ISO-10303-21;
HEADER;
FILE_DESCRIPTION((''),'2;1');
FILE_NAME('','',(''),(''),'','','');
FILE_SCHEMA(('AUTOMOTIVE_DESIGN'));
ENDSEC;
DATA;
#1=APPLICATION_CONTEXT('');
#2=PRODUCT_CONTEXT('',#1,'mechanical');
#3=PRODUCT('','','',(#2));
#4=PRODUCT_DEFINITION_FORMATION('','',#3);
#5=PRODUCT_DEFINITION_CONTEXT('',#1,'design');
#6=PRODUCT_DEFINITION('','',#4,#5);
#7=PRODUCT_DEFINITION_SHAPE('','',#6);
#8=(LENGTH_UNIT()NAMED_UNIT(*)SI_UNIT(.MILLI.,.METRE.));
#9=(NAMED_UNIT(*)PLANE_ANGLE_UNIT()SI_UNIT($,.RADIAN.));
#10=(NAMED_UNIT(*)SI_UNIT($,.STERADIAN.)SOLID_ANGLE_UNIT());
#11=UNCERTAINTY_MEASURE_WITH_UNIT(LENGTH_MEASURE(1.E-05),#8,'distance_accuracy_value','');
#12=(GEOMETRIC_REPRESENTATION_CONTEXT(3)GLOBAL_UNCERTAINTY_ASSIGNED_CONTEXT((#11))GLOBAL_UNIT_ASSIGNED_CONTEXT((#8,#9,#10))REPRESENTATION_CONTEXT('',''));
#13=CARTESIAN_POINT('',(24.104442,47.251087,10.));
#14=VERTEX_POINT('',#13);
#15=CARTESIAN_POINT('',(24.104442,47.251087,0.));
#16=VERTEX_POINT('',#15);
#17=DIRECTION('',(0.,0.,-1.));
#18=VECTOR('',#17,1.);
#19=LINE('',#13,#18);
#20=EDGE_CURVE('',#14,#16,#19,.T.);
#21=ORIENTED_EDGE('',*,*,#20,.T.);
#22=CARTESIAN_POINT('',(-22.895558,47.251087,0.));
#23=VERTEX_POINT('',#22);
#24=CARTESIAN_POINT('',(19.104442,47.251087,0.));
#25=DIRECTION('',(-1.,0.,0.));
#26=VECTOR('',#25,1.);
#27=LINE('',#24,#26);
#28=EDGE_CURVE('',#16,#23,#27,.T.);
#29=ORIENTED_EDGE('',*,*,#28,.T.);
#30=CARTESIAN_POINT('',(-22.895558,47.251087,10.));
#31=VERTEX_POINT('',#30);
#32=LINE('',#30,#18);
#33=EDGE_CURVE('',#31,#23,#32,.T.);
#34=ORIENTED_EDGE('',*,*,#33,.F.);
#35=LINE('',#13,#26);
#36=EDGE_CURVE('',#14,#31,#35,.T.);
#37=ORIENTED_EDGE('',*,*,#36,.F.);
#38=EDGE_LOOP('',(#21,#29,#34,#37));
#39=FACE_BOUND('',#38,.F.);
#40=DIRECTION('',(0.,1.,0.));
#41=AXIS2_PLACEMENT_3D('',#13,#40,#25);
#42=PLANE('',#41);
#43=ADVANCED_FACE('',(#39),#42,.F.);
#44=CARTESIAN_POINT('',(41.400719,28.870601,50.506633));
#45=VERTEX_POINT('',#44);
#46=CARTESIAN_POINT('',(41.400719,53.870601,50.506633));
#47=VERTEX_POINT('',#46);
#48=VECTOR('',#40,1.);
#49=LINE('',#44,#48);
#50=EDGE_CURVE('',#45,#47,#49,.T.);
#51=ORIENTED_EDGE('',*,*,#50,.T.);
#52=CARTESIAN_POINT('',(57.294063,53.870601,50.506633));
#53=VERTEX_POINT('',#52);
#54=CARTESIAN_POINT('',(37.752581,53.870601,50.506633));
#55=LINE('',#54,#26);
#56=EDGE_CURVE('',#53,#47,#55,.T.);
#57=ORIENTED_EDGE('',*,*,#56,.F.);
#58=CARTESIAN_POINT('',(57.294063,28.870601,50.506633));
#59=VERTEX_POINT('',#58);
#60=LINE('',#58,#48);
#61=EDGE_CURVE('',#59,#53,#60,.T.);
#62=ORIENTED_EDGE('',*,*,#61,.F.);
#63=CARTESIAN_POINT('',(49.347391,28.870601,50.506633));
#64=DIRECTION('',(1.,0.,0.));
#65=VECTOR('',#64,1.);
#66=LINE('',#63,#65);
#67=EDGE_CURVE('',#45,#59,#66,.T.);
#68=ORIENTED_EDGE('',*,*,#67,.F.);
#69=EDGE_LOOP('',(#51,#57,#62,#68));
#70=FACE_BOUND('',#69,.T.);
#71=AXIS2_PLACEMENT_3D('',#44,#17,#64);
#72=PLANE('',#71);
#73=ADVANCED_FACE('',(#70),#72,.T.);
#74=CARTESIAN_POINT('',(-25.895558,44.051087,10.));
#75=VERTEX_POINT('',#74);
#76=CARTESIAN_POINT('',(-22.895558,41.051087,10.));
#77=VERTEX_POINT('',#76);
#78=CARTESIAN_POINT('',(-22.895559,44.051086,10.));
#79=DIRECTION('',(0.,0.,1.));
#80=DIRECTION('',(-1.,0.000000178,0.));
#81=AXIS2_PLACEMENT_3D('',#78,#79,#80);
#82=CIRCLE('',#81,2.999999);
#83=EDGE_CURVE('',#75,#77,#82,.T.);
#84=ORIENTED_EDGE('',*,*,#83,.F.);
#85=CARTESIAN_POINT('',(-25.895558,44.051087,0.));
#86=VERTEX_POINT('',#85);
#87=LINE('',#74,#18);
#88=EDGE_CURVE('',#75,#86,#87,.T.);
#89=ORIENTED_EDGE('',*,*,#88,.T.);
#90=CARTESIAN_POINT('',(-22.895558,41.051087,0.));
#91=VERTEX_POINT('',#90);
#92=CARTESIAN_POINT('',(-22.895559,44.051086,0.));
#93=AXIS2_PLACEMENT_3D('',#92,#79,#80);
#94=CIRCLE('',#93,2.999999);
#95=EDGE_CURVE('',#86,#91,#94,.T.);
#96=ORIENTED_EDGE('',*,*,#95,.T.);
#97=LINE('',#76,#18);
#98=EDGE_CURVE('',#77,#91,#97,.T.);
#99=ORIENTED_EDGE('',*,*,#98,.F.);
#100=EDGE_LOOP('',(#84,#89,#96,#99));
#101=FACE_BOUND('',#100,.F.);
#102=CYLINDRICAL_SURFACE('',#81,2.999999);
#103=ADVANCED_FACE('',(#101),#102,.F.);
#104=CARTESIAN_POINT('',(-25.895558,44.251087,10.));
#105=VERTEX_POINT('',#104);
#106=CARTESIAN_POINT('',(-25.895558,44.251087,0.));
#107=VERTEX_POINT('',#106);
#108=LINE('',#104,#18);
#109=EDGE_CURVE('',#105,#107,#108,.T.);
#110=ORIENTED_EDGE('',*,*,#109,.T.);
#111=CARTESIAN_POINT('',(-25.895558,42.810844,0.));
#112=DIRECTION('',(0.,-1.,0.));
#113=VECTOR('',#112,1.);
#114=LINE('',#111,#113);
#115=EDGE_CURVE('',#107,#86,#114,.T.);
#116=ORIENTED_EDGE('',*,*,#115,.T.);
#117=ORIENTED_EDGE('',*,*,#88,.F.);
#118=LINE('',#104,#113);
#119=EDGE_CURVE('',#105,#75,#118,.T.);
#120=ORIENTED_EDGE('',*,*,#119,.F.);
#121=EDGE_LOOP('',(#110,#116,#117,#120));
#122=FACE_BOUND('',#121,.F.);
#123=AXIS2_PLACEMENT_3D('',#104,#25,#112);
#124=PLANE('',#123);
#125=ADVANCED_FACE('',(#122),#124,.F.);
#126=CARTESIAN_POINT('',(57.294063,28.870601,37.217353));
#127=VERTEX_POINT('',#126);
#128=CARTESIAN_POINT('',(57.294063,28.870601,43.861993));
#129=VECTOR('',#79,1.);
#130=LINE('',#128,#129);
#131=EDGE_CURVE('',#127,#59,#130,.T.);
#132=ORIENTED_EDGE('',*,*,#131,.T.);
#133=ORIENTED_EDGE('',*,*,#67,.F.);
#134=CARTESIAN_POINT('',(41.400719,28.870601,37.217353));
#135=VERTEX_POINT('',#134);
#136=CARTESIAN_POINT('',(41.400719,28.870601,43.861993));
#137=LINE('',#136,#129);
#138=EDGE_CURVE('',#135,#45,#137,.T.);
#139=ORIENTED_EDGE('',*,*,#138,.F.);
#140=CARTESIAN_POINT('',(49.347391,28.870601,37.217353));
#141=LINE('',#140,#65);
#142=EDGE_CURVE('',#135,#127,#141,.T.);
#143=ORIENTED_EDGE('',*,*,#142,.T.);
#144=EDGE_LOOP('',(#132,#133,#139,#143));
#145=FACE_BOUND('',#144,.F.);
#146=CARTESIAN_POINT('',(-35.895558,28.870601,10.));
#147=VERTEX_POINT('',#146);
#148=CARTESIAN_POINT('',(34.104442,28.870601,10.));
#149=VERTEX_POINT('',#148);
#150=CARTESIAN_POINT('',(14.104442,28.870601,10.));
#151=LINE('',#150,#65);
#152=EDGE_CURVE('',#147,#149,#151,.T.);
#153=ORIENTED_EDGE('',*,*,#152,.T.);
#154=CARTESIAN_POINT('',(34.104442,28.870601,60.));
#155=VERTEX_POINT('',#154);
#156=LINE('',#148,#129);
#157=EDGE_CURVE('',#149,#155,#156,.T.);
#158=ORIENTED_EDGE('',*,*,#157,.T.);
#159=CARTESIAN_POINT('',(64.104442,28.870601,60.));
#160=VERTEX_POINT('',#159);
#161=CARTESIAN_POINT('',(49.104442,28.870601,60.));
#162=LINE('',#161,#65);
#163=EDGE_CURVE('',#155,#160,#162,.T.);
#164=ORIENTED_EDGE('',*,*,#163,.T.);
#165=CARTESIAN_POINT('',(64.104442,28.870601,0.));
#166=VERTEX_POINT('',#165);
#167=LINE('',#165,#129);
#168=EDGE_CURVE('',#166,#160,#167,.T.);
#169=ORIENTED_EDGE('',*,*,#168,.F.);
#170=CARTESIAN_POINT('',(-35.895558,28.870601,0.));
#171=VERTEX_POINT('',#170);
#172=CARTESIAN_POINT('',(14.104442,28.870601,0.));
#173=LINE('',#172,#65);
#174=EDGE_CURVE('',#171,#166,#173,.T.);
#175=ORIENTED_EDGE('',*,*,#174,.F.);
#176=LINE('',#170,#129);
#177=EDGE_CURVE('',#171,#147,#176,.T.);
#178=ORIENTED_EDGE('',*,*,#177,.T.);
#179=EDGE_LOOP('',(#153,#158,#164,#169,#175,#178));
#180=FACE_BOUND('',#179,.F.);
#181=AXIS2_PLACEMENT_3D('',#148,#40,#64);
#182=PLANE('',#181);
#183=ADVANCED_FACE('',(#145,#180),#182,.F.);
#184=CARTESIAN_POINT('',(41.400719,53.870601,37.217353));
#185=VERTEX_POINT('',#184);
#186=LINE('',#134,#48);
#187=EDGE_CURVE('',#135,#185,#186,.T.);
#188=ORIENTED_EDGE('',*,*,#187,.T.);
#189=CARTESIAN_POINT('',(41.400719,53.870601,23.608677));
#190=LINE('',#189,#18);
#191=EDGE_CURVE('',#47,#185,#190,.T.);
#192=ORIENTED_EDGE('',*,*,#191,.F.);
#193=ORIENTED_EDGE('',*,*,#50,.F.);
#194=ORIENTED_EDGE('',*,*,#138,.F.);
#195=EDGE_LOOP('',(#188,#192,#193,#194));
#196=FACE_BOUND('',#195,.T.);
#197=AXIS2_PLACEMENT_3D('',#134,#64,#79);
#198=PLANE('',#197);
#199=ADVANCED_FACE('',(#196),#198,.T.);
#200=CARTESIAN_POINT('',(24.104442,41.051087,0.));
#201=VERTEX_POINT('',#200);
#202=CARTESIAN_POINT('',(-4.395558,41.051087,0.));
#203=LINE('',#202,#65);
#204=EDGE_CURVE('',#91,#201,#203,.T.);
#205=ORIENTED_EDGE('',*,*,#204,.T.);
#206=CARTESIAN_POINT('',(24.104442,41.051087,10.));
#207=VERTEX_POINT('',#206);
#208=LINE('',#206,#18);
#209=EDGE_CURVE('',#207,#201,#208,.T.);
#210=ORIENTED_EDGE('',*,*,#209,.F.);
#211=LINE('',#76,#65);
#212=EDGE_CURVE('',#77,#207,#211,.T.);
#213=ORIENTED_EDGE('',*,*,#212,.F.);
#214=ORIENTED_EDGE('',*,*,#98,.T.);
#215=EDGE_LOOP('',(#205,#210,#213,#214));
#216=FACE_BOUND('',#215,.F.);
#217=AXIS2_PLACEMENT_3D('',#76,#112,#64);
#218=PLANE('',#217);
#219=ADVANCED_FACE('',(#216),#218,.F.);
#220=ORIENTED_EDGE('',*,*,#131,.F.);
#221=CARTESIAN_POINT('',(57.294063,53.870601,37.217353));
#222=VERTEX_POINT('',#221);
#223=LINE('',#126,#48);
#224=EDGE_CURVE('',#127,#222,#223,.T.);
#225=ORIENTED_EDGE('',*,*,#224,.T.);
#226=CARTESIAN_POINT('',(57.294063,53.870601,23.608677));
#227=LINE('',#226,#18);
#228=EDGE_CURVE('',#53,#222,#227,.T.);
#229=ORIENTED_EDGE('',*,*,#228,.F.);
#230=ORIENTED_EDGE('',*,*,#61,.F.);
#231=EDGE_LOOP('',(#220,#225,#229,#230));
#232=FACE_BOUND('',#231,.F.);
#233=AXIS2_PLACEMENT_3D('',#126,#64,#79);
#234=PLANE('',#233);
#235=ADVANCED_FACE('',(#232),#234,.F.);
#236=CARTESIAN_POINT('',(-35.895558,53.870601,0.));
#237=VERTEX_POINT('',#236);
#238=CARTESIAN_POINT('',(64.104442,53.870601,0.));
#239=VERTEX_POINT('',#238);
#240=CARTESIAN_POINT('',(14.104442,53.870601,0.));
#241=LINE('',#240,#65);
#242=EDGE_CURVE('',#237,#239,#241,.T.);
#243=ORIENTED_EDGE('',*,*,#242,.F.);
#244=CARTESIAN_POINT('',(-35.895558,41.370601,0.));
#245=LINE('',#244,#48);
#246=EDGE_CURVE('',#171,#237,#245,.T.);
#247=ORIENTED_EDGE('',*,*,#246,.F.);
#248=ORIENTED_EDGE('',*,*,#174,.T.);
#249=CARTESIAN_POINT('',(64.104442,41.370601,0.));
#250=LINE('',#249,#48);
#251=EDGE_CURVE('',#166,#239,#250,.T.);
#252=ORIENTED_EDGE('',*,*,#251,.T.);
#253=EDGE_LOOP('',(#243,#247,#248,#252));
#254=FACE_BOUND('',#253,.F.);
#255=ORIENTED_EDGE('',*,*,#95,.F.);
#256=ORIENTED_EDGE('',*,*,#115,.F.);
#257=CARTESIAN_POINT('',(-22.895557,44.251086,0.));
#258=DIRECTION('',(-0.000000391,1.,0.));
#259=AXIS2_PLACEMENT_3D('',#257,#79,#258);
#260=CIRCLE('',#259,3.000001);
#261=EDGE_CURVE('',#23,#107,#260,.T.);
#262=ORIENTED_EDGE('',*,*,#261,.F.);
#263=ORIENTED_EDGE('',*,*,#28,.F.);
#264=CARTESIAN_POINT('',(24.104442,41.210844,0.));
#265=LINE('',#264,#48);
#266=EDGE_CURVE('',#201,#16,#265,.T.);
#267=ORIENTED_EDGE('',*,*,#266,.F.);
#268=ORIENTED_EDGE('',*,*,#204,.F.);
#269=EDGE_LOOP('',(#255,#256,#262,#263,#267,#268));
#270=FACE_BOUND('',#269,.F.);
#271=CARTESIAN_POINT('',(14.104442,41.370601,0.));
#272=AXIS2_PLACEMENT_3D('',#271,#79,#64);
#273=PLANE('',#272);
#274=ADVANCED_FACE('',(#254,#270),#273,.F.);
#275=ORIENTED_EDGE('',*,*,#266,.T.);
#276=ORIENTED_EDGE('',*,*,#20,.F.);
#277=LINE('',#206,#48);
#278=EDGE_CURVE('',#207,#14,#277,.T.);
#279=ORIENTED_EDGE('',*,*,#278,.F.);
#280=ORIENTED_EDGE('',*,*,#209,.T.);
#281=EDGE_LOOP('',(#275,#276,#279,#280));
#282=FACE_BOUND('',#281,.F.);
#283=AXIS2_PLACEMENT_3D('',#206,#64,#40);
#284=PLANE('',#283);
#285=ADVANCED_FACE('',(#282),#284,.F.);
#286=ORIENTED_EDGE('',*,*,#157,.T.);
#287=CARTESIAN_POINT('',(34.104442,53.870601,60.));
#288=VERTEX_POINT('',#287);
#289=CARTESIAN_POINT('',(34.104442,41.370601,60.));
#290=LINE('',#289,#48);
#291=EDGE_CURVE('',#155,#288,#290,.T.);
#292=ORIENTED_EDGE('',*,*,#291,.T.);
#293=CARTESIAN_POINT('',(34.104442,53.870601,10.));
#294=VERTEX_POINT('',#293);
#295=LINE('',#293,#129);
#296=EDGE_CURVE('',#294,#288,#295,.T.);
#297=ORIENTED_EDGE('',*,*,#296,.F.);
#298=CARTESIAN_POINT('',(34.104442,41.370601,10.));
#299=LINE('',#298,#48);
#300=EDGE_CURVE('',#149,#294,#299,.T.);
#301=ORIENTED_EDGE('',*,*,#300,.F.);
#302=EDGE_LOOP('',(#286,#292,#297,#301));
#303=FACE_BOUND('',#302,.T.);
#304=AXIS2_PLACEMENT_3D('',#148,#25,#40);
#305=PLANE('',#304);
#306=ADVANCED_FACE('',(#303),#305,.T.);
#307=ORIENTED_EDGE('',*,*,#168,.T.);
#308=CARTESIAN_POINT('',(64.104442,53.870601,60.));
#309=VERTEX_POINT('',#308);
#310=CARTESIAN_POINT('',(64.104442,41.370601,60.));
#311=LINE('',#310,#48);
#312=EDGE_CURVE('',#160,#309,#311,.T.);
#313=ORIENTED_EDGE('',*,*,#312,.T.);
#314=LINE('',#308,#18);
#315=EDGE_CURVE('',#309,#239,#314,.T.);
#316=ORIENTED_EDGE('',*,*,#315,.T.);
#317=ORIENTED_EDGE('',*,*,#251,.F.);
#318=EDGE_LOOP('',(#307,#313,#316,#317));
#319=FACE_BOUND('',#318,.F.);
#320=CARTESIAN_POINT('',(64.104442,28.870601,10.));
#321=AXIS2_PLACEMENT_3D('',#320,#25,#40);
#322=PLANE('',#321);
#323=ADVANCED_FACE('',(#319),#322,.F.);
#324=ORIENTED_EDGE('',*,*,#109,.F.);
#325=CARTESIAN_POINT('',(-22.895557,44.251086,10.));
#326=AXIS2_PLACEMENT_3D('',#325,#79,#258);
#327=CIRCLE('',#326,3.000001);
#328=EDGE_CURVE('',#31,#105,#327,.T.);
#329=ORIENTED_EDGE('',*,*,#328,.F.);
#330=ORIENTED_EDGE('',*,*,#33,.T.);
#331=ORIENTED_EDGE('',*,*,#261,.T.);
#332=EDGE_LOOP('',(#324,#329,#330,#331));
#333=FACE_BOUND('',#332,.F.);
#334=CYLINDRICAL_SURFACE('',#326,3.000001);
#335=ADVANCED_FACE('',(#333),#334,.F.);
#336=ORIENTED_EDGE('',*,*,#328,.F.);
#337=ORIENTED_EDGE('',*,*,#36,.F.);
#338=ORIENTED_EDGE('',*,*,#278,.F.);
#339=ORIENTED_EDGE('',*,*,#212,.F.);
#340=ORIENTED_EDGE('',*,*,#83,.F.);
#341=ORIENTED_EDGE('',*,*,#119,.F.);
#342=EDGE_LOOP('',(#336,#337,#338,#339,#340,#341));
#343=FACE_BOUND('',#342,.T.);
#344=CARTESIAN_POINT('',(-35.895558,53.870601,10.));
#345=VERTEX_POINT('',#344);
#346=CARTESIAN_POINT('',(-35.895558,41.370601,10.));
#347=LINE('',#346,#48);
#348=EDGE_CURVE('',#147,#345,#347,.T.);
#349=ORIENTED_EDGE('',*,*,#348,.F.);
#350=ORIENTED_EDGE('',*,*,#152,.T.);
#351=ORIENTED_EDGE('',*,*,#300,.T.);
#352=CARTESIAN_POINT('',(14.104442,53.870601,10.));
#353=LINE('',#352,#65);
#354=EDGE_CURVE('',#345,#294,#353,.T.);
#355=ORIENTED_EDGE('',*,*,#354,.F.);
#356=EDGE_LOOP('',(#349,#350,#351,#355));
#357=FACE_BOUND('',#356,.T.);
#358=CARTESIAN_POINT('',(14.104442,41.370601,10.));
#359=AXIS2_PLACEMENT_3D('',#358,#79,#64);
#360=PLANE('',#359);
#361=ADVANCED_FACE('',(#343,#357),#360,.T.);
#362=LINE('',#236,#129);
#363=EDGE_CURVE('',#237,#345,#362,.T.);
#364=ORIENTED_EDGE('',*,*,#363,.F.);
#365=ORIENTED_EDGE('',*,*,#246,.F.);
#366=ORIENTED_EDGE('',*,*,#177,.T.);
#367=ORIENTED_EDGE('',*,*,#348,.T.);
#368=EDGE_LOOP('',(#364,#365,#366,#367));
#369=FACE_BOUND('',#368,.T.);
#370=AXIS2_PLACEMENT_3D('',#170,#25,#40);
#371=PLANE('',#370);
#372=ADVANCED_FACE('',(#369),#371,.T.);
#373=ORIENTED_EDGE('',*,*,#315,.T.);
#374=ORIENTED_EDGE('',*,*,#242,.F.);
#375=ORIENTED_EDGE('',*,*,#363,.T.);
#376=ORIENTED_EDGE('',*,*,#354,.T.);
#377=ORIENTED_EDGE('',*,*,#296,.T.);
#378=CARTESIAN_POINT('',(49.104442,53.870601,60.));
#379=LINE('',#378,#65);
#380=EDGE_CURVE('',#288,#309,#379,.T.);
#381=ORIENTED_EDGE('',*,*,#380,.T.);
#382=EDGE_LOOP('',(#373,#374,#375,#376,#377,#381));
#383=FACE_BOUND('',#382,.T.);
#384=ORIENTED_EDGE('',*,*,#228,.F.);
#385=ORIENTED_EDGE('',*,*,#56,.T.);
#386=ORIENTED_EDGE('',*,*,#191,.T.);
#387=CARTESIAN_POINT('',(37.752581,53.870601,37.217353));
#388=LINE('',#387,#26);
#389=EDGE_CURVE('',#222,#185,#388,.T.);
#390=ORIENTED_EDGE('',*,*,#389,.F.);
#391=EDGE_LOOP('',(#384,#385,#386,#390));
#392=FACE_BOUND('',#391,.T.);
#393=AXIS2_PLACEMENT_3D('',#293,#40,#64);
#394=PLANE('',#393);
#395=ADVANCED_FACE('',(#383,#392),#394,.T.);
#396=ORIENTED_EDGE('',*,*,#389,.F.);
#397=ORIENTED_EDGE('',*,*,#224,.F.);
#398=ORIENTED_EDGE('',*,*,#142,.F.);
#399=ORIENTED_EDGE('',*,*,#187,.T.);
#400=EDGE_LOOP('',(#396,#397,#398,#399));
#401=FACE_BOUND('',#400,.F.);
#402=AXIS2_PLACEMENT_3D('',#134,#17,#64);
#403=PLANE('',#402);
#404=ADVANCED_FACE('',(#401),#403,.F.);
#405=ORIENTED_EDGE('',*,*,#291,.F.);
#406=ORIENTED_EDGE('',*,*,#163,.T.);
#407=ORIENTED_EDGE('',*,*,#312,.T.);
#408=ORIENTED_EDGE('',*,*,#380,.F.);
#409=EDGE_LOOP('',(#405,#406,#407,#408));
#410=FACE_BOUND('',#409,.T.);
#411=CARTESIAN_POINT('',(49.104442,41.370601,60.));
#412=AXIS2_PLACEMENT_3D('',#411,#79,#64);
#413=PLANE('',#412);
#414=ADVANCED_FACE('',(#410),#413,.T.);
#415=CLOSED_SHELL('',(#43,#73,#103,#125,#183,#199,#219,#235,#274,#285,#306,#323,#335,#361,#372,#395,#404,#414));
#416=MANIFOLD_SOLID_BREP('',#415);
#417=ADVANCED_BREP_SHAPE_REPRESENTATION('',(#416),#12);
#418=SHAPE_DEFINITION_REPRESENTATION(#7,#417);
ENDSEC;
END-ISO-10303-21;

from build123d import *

# Parameters (mm, degrees)
F0_W     = 100
F0_H     = 25
F1_DEPTH = 10
F2_W     = 30
F2_H     = 25
F3_DEPTH = 50
F4_W     = 15.893344
F4_H     = 13.28928
F5_DEPTH = 25.001
F7_DEPTH = 25


with BuildPart() as f1:
    # F0 (on Top) → F1 (new body)
    with BuildSketch(Plane.XY):
        with Locations((14.104442, 41.370601)):
            Rectangle(F0_W, F0_H)
    extrude(amount=F1_DEPTH)

    # F2 (on face) → F3 (join)
    with BuildSketch(Plane.XY.offset(10)):
        with Locations((49.104442, 41.370601)):
            Rectangle(F2_W, F2_H)
    extrude(amount=F3_DEPTH)

    # F4 (on face) → F5 (cut, through all)
    with BuildSketch(Plane.XZ.offset(-28.870601)):
        with Locations((49.347391, 43.861993)):
            Rectangle(F4_W, F4_H)
    extrude(amount=-F5_DEPTH, mode=Mode.SUBTRACT)

    # F6 (on face) → F7 (cut)
    with BuildSketch(Plane.XY.offset(10)):
        with BuildLine():
            Line((-22.895558, 41.051087), (24.104442, 41.051087))
            Line((24.104442, 41.051087), (24.104442, 47.251087))
            Line((24.104442, 47.251087), (-22.895558, 47.251087))
            ThreePointArc((-22.895558, 47.251087), (-25.016878, 46.372407), (-25.895558, 44.251087))
            Line((-25.895558, 44.251087), (-25.895558, 44.051087))
            ThreePointArc((-25.895558, 44.051087), (-25.016878, 41.929766), (-22.895558, 41.051087))
        make_face()
    extrude(amount=-F7_DEPTH, mode=Mode.SUBTRACT)


solid = f1.part
